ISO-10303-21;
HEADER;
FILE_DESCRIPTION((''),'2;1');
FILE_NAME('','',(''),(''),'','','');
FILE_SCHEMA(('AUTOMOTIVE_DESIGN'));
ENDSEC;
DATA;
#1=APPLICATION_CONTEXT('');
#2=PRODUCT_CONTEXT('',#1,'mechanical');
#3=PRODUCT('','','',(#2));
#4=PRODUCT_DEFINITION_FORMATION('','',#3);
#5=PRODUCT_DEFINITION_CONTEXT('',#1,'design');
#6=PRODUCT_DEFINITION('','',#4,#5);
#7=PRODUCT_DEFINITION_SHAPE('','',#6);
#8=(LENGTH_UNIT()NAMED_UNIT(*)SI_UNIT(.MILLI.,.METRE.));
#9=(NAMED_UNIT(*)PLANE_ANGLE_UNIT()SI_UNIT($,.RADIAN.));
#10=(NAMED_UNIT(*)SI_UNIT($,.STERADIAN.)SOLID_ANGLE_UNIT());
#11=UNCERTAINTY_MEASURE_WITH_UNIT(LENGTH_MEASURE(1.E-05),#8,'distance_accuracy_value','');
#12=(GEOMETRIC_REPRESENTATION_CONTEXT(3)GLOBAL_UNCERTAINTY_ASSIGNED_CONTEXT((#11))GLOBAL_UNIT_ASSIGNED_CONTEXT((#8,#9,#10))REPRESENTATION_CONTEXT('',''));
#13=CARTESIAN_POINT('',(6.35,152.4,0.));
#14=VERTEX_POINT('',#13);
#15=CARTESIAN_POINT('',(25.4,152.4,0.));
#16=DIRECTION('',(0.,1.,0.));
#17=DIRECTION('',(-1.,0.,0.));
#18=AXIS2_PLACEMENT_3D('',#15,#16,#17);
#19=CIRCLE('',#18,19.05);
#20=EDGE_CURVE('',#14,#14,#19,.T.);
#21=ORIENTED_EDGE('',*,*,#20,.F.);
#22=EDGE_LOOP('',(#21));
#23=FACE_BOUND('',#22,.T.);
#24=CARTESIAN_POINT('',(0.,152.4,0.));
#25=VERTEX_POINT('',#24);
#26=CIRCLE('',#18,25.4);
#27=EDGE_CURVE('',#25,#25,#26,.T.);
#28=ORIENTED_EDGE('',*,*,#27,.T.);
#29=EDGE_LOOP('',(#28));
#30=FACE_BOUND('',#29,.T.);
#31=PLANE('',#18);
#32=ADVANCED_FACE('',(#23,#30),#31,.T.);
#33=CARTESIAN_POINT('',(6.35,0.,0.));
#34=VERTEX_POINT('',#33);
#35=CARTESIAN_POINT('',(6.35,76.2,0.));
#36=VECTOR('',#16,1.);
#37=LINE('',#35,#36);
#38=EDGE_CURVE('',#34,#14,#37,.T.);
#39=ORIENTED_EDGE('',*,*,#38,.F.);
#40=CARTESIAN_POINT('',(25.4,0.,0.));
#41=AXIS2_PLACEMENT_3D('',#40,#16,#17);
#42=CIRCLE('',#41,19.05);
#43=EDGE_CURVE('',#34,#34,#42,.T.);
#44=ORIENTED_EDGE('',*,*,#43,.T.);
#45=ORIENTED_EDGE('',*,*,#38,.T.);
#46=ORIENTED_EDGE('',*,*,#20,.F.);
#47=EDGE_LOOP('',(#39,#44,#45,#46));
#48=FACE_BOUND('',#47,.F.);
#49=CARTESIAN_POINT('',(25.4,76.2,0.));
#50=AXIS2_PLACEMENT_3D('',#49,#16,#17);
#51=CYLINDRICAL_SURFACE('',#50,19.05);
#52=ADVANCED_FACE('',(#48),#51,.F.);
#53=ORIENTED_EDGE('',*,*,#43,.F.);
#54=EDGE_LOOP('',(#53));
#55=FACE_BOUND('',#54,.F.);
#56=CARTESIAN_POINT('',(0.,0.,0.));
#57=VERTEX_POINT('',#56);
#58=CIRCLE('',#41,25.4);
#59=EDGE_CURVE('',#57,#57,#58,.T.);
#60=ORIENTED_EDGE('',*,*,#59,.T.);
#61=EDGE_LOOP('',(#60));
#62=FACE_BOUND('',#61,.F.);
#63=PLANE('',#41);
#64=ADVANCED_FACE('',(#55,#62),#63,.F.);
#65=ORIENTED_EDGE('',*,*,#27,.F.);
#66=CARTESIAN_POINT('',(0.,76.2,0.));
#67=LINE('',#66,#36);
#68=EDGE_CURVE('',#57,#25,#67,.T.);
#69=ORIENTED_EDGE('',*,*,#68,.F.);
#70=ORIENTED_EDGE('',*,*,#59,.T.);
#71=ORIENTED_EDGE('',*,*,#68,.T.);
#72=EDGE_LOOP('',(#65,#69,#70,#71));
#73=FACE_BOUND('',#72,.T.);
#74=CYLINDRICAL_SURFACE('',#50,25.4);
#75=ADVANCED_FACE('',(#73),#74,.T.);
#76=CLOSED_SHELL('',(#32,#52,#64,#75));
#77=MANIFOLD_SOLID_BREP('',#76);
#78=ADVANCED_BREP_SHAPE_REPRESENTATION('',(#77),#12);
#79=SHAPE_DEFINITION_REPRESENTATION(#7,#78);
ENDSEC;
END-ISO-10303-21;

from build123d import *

# Parameters (mm, degrees)
F0_W = 6.35
F0_H = 152.4


with BuildPart() as f1:
    # F0 (on Top) → F1 (revolve)
    with BuildSketch(Plane.XY):
        with Locations((3.175, 76.2)):
            Rectangle(F0_W, F0_H)
    revolve(axis=Axis((25.4, 47.663443, 0), (0, 1, 0)))


solid = f1.part
